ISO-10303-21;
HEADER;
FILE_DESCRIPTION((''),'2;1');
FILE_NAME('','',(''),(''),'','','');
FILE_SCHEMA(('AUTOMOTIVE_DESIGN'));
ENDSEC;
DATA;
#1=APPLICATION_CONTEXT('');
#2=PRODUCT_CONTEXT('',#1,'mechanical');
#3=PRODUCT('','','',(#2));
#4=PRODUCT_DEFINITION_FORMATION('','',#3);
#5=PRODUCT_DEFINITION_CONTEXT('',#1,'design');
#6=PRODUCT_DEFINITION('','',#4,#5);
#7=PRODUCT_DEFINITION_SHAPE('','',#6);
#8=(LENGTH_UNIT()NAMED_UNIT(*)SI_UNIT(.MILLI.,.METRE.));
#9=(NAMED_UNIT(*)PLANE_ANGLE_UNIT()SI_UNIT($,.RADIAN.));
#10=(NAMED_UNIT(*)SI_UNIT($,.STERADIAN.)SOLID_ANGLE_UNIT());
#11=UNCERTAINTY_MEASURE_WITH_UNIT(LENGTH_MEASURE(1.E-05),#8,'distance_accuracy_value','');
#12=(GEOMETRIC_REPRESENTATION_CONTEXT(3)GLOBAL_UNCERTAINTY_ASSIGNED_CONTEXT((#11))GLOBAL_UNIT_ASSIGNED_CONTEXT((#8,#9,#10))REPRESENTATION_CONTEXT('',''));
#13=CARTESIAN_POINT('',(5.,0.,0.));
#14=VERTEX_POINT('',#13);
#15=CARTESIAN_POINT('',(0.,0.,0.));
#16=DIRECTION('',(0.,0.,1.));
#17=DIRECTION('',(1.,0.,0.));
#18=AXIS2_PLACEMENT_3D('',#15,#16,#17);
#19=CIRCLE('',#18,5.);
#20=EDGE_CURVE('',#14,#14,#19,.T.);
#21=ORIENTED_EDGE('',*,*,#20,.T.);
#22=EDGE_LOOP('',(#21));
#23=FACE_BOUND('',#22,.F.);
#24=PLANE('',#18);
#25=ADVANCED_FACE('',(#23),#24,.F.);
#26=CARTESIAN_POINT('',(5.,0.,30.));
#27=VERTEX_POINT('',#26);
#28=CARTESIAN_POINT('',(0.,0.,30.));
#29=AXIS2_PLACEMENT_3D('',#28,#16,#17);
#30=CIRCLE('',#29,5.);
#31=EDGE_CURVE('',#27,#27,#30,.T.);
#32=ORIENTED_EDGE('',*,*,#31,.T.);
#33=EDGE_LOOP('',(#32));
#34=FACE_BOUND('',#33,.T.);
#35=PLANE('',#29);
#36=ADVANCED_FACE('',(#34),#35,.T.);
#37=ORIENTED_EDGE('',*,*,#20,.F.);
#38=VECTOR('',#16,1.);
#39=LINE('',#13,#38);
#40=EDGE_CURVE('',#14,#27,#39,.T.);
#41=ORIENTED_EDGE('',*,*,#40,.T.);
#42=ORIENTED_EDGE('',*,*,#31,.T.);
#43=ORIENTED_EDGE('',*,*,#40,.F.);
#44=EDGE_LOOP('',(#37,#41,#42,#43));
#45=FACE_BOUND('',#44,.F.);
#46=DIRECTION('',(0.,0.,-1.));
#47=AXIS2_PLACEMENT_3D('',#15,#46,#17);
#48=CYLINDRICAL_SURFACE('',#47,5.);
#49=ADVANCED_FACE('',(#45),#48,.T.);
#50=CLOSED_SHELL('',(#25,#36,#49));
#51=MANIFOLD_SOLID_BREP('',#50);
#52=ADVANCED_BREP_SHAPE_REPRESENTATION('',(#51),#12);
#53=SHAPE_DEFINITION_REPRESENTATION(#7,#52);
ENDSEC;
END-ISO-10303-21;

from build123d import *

# Parameters (mm, degrees)
SKETCH1_R           = 5
BOSS_EXTRUDE1_DEPTH = 30


with BuildPart() as part:
    # Sketch1 → Boss-Extrude1 (new body)
    with BuildSketch(Plane.XY):
        Circle(SKETCH1_R)
    extrude(amount=BOSS_EXTRUDE1_DEPTH)


solid = part.part
